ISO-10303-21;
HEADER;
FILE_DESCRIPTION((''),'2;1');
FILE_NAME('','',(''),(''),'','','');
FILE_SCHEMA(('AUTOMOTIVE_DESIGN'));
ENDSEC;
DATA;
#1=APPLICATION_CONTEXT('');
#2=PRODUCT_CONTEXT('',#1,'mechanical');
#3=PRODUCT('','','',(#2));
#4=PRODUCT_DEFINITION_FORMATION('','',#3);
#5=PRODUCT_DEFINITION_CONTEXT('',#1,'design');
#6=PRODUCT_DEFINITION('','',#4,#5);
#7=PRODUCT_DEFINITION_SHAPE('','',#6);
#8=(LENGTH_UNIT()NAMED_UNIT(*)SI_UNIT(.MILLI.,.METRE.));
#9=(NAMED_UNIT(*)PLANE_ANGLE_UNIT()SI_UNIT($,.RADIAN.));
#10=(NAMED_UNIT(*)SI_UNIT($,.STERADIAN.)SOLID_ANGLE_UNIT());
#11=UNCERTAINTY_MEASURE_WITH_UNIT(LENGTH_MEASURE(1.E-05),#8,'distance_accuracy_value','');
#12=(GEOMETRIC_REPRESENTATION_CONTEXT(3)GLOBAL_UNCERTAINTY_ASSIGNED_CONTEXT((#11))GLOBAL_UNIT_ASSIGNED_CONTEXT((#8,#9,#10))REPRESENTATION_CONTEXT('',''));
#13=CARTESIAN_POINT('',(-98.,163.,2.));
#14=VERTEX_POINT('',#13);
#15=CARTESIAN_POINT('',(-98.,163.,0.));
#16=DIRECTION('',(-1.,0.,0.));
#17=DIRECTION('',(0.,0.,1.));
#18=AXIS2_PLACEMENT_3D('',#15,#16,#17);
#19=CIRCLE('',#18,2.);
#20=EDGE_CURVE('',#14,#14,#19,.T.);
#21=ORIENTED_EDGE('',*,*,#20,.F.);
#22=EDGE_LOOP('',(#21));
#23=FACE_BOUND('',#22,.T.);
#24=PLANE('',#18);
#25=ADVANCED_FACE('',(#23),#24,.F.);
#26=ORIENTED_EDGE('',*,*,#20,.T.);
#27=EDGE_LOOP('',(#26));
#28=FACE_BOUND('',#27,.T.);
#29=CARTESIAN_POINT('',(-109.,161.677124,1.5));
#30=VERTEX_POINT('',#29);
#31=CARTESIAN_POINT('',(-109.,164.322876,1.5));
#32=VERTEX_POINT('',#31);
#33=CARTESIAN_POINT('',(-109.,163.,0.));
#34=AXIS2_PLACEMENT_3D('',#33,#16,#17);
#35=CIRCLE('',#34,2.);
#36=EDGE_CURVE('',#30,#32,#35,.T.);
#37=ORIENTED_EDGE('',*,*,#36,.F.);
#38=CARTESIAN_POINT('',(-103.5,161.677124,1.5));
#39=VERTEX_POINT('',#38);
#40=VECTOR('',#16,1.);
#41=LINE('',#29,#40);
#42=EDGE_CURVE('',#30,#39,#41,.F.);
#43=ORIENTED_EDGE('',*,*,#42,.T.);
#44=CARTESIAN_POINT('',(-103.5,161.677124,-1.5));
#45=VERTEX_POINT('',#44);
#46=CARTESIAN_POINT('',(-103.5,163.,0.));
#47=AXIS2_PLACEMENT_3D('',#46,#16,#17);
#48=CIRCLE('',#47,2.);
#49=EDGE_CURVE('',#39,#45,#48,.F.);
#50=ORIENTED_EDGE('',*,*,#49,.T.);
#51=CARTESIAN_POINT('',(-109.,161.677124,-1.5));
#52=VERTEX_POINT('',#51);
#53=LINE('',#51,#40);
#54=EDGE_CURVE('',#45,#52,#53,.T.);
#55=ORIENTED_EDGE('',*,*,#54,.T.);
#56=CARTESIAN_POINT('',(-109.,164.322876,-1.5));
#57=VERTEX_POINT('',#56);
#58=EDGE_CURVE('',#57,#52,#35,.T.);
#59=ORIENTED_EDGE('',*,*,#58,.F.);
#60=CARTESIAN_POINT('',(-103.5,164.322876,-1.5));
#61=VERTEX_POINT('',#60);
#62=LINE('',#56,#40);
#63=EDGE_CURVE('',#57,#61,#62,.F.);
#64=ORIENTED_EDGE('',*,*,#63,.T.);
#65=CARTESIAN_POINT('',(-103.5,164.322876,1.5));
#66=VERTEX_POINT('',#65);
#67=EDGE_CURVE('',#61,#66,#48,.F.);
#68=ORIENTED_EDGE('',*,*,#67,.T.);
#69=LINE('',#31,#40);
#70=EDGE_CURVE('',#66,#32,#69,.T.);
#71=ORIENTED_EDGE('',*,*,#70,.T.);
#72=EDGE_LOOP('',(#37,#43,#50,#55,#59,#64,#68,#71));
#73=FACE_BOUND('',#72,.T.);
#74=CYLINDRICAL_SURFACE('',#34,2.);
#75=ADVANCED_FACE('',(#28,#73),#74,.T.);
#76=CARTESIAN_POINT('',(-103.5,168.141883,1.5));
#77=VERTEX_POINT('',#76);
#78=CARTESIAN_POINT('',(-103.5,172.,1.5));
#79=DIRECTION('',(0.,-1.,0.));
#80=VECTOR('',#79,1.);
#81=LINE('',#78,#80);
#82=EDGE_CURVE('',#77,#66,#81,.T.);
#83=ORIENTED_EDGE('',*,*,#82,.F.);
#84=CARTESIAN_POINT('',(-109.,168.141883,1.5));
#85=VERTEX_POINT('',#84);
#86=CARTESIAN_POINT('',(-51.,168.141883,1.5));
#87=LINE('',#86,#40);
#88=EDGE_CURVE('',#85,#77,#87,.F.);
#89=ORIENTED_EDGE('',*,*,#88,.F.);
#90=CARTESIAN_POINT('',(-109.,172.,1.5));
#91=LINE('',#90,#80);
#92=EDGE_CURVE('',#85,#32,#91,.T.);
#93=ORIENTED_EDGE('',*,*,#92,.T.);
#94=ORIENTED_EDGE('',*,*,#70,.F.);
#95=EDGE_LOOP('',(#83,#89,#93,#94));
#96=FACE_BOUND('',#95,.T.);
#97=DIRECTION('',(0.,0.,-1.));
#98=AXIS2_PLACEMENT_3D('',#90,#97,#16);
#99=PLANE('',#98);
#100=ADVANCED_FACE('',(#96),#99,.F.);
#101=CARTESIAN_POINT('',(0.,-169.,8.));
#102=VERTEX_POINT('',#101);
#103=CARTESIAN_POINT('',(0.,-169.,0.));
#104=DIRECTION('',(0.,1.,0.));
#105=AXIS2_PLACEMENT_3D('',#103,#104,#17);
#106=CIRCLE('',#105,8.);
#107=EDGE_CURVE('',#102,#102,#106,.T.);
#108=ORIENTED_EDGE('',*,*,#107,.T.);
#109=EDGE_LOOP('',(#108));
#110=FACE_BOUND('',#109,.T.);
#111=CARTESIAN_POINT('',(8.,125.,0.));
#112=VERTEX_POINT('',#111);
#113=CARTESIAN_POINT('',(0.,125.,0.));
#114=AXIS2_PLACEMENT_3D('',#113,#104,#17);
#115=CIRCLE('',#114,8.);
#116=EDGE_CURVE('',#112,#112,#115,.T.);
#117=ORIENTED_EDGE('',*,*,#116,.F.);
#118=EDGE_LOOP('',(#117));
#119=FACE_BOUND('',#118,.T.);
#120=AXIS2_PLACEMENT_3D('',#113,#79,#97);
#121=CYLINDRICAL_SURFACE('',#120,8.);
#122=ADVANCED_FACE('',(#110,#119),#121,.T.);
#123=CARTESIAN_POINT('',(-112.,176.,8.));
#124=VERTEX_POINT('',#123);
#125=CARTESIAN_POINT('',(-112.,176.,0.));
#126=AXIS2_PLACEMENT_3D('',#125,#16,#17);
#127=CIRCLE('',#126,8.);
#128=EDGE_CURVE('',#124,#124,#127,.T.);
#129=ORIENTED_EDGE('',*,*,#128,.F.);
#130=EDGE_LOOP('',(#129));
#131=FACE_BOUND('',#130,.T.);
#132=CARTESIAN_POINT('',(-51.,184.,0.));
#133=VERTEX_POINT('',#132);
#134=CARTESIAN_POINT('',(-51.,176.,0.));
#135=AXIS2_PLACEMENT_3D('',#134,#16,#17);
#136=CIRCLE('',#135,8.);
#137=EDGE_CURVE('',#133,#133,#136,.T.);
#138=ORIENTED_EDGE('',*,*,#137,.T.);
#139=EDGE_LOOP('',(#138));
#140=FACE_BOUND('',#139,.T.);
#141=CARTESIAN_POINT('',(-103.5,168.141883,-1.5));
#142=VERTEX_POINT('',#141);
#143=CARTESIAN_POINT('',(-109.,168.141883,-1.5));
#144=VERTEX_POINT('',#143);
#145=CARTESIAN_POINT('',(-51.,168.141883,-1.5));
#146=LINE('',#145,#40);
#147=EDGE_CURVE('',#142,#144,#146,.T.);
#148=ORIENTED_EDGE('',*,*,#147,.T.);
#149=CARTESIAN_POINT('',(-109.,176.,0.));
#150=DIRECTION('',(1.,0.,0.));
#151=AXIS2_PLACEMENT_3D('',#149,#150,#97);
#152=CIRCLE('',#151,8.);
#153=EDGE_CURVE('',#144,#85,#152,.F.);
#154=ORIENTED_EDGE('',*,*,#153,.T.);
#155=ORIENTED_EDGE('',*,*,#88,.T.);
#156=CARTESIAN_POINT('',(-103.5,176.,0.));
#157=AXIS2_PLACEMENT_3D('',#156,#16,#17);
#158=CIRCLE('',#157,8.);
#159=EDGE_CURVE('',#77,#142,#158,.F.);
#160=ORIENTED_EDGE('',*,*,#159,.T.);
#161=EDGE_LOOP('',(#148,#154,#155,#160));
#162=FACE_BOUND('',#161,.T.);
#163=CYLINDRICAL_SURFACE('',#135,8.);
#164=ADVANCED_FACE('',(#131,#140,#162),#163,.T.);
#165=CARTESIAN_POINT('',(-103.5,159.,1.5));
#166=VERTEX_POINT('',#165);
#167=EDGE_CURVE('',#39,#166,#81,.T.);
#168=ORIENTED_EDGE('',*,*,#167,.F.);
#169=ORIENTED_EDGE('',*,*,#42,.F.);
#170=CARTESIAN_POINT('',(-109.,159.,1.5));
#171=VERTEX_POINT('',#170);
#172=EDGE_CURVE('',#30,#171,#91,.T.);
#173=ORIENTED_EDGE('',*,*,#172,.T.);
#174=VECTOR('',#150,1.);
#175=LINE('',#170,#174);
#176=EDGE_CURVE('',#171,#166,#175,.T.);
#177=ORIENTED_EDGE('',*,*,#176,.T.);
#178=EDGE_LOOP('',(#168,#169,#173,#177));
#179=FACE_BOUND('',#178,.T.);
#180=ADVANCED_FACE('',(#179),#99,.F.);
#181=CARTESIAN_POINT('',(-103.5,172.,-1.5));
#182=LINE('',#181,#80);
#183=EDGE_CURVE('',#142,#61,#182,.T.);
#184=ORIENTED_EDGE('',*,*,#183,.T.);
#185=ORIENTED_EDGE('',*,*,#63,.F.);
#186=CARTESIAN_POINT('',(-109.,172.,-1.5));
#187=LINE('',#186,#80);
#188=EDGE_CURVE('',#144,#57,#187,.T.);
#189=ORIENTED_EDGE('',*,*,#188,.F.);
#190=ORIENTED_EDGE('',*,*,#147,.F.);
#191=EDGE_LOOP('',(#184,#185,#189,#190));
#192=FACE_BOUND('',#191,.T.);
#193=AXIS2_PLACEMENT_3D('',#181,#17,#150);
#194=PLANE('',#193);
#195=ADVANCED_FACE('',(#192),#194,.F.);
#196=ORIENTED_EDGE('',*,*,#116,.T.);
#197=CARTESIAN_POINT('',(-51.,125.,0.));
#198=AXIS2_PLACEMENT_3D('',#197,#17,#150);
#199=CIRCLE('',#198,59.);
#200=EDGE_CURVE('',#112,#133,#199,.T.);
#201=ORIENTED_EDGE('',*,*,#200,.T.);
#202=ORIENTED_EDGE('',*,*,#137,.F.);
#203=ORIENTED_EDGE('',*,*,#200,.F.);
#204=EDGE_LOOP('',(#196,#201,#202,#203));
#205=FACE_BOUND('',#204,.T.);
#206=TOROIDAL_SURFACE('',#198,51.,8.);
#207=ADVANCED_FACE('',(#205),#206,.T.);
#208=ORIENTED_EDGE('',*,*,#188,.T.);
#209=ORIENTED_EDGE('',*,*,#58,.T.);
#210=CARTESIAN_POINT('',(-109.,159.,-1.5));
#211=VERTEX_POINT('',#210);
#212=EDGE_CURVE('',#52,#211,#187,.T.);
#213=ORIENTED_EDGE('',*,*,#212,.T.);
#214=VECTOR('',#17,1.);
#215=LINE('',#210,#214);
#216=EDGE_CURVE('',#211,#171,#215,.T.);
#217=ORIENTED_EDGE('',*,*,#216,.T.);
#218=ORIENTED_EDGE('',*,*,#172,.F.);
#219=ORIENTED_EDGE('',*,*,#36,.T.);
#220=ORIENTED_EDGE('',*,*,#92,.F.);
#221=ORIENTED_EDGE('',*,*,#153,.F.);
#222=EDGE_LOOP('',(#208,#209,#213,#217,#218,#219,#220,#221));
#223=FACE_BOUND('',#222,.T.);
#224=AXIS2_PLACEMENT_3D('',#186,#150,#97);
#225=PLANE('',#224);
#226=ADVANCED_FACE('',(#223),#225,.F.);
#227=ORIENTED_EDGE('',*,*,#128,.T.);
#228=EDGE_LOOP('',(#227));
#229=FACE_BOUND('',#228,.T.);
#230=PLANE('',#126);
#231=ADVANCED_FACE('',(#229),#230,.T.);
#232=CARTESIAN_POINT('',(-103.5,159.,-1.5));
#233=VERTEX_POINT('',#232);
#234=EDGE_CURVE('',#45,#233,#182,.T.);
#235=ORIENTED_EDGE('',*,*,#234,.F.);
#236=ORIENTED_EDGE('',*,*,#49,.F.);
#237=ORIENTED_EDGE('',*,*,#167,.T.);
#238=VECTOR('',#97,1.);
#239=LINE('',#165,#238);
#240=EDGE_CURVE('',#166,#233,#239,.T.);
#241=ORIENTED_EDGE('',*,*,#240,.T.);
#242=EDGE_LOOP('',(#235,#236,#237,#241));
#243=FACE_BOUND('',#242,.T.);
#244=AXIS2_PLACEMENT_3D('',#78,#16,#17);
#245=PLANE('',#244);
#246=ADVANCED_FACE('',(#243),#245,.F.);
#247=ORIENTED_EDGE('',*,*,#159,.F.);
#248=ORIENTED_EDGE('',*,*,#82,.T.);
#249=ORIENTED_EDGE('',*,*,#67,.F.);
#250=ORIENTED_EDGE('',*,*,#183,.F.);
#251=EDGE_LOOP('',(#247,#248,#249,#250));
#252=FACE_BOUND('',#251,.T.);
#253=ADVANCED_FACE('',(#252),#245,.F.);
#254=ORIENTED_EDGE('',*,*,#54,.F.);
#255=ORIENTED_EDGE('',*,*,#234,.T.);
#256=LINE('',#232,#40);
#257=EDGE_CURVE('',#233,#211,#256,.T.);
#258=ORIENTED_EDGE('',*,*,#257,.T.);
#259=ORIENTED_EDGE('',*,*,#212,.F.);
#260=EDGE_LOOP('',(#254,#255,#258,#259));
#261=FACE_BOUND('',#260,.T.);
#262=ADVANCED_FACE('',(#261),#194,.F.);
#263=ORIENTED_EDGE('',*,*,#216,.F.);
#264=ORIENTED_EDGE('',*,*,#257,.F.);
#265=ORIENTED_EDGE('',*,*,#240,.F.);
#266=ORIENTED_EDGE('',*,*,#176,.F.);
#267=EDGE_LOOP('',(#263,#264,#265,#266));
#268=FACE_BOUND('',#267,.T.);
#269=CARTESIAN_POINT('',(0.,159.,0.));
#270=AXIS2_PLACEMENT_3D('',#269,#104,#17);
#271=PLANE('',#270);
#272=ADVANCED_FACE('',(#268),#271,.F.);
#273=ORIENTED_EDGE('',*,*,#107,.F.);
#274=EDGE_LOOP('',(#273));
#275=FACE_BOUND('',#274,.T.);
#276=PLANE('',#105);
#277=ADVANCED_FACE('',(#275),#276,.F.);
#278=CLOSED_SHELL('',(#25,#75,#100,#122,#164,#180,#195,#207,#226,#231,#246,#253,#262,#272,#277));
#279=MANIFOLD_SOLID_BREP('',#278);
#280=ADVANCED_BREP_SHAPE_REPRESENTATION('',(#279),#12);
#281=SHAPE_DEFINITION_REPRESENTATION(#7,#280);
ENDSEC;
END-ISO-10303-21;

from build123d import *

# Parameters (mm, degrees)
BOSS_EXTRUDE1_START = -169
SKETCH1_R           = 8
BOSS_EXTRUDE1_DEPTH = 294
SKETCH3_R           = 8
BOSS_EXTRUDE2_START = 159
SKETCH4_W           = 5.5
SKETCH4_H           = 3
BOSS_EXTRUDE2_DEPTH = 13
SKETCH5_W           = 11
SKETCH5_H           = 2


with BuildPart() as part:
    # Sketch1 → Boss-Extrude1 (new body)
    with BuildSketch(Plane(origin=(0, 0, 0), x_dir=(1, 0, 0), z_dir=(0, 1, 0)).offset(BOSS_EXTRUDE1_START)):
        with Locations(Location((0, 0, 0), (0, 0, 270))):
            Circle(SKETCH1_R)
    extrude(amount=BOSS_EXTRUDE1_DEPTH)

    # Sweep1: sweep along a path in Sketch2
    with BuildLine(Plane.XY) as sweep1_path:
        Line((-112, 176), (-51, 176))
        ThreePointArc((-51, 176), (-14.937554159, 161.062445841), (0, 125))
    # Sketch3 → Sweep1 (sweep)
    with BuildSketch(Plane(origin=(0, 125, 0), x_dir=(1, 0, 0), z_dir=(0, 1, 0))):
        Circle(SKETCH3_R)
    sweep(path=sweep1_path.line)

    # Sketch4 → Boss-Extrude2 (add)
    with BuildSketch(Plane(origin=(0, 0, 0), x_dir=(1, 0, 0), z_dir=(0, 1, 0)).offset(BOSS_EXTRUDE2_START)):
        with Locations((-106.25, 0)):
            Rectangle(SKETCH4_W, SKETCH4_H)
    extrude(amount=BOSS_EXTRUDE2_DEPTH)

    # Sketch5 → Revolve1 (revolve)
    with BuildSketch(Plane.XY, mode=Mode.PRIVATE) as revolve1_sk:
        with Locations((-103.5, 164)):
            Rectangle(SKETCH5_W, SKETCH5_H)
    revolve(revolve1_sk.sketch.rotate(Axis((-109, 163, 0), (1, 0, 0)), 90), axis=Axis((-109, 163, 0), (1, 0, 0)))


solid = part.part
